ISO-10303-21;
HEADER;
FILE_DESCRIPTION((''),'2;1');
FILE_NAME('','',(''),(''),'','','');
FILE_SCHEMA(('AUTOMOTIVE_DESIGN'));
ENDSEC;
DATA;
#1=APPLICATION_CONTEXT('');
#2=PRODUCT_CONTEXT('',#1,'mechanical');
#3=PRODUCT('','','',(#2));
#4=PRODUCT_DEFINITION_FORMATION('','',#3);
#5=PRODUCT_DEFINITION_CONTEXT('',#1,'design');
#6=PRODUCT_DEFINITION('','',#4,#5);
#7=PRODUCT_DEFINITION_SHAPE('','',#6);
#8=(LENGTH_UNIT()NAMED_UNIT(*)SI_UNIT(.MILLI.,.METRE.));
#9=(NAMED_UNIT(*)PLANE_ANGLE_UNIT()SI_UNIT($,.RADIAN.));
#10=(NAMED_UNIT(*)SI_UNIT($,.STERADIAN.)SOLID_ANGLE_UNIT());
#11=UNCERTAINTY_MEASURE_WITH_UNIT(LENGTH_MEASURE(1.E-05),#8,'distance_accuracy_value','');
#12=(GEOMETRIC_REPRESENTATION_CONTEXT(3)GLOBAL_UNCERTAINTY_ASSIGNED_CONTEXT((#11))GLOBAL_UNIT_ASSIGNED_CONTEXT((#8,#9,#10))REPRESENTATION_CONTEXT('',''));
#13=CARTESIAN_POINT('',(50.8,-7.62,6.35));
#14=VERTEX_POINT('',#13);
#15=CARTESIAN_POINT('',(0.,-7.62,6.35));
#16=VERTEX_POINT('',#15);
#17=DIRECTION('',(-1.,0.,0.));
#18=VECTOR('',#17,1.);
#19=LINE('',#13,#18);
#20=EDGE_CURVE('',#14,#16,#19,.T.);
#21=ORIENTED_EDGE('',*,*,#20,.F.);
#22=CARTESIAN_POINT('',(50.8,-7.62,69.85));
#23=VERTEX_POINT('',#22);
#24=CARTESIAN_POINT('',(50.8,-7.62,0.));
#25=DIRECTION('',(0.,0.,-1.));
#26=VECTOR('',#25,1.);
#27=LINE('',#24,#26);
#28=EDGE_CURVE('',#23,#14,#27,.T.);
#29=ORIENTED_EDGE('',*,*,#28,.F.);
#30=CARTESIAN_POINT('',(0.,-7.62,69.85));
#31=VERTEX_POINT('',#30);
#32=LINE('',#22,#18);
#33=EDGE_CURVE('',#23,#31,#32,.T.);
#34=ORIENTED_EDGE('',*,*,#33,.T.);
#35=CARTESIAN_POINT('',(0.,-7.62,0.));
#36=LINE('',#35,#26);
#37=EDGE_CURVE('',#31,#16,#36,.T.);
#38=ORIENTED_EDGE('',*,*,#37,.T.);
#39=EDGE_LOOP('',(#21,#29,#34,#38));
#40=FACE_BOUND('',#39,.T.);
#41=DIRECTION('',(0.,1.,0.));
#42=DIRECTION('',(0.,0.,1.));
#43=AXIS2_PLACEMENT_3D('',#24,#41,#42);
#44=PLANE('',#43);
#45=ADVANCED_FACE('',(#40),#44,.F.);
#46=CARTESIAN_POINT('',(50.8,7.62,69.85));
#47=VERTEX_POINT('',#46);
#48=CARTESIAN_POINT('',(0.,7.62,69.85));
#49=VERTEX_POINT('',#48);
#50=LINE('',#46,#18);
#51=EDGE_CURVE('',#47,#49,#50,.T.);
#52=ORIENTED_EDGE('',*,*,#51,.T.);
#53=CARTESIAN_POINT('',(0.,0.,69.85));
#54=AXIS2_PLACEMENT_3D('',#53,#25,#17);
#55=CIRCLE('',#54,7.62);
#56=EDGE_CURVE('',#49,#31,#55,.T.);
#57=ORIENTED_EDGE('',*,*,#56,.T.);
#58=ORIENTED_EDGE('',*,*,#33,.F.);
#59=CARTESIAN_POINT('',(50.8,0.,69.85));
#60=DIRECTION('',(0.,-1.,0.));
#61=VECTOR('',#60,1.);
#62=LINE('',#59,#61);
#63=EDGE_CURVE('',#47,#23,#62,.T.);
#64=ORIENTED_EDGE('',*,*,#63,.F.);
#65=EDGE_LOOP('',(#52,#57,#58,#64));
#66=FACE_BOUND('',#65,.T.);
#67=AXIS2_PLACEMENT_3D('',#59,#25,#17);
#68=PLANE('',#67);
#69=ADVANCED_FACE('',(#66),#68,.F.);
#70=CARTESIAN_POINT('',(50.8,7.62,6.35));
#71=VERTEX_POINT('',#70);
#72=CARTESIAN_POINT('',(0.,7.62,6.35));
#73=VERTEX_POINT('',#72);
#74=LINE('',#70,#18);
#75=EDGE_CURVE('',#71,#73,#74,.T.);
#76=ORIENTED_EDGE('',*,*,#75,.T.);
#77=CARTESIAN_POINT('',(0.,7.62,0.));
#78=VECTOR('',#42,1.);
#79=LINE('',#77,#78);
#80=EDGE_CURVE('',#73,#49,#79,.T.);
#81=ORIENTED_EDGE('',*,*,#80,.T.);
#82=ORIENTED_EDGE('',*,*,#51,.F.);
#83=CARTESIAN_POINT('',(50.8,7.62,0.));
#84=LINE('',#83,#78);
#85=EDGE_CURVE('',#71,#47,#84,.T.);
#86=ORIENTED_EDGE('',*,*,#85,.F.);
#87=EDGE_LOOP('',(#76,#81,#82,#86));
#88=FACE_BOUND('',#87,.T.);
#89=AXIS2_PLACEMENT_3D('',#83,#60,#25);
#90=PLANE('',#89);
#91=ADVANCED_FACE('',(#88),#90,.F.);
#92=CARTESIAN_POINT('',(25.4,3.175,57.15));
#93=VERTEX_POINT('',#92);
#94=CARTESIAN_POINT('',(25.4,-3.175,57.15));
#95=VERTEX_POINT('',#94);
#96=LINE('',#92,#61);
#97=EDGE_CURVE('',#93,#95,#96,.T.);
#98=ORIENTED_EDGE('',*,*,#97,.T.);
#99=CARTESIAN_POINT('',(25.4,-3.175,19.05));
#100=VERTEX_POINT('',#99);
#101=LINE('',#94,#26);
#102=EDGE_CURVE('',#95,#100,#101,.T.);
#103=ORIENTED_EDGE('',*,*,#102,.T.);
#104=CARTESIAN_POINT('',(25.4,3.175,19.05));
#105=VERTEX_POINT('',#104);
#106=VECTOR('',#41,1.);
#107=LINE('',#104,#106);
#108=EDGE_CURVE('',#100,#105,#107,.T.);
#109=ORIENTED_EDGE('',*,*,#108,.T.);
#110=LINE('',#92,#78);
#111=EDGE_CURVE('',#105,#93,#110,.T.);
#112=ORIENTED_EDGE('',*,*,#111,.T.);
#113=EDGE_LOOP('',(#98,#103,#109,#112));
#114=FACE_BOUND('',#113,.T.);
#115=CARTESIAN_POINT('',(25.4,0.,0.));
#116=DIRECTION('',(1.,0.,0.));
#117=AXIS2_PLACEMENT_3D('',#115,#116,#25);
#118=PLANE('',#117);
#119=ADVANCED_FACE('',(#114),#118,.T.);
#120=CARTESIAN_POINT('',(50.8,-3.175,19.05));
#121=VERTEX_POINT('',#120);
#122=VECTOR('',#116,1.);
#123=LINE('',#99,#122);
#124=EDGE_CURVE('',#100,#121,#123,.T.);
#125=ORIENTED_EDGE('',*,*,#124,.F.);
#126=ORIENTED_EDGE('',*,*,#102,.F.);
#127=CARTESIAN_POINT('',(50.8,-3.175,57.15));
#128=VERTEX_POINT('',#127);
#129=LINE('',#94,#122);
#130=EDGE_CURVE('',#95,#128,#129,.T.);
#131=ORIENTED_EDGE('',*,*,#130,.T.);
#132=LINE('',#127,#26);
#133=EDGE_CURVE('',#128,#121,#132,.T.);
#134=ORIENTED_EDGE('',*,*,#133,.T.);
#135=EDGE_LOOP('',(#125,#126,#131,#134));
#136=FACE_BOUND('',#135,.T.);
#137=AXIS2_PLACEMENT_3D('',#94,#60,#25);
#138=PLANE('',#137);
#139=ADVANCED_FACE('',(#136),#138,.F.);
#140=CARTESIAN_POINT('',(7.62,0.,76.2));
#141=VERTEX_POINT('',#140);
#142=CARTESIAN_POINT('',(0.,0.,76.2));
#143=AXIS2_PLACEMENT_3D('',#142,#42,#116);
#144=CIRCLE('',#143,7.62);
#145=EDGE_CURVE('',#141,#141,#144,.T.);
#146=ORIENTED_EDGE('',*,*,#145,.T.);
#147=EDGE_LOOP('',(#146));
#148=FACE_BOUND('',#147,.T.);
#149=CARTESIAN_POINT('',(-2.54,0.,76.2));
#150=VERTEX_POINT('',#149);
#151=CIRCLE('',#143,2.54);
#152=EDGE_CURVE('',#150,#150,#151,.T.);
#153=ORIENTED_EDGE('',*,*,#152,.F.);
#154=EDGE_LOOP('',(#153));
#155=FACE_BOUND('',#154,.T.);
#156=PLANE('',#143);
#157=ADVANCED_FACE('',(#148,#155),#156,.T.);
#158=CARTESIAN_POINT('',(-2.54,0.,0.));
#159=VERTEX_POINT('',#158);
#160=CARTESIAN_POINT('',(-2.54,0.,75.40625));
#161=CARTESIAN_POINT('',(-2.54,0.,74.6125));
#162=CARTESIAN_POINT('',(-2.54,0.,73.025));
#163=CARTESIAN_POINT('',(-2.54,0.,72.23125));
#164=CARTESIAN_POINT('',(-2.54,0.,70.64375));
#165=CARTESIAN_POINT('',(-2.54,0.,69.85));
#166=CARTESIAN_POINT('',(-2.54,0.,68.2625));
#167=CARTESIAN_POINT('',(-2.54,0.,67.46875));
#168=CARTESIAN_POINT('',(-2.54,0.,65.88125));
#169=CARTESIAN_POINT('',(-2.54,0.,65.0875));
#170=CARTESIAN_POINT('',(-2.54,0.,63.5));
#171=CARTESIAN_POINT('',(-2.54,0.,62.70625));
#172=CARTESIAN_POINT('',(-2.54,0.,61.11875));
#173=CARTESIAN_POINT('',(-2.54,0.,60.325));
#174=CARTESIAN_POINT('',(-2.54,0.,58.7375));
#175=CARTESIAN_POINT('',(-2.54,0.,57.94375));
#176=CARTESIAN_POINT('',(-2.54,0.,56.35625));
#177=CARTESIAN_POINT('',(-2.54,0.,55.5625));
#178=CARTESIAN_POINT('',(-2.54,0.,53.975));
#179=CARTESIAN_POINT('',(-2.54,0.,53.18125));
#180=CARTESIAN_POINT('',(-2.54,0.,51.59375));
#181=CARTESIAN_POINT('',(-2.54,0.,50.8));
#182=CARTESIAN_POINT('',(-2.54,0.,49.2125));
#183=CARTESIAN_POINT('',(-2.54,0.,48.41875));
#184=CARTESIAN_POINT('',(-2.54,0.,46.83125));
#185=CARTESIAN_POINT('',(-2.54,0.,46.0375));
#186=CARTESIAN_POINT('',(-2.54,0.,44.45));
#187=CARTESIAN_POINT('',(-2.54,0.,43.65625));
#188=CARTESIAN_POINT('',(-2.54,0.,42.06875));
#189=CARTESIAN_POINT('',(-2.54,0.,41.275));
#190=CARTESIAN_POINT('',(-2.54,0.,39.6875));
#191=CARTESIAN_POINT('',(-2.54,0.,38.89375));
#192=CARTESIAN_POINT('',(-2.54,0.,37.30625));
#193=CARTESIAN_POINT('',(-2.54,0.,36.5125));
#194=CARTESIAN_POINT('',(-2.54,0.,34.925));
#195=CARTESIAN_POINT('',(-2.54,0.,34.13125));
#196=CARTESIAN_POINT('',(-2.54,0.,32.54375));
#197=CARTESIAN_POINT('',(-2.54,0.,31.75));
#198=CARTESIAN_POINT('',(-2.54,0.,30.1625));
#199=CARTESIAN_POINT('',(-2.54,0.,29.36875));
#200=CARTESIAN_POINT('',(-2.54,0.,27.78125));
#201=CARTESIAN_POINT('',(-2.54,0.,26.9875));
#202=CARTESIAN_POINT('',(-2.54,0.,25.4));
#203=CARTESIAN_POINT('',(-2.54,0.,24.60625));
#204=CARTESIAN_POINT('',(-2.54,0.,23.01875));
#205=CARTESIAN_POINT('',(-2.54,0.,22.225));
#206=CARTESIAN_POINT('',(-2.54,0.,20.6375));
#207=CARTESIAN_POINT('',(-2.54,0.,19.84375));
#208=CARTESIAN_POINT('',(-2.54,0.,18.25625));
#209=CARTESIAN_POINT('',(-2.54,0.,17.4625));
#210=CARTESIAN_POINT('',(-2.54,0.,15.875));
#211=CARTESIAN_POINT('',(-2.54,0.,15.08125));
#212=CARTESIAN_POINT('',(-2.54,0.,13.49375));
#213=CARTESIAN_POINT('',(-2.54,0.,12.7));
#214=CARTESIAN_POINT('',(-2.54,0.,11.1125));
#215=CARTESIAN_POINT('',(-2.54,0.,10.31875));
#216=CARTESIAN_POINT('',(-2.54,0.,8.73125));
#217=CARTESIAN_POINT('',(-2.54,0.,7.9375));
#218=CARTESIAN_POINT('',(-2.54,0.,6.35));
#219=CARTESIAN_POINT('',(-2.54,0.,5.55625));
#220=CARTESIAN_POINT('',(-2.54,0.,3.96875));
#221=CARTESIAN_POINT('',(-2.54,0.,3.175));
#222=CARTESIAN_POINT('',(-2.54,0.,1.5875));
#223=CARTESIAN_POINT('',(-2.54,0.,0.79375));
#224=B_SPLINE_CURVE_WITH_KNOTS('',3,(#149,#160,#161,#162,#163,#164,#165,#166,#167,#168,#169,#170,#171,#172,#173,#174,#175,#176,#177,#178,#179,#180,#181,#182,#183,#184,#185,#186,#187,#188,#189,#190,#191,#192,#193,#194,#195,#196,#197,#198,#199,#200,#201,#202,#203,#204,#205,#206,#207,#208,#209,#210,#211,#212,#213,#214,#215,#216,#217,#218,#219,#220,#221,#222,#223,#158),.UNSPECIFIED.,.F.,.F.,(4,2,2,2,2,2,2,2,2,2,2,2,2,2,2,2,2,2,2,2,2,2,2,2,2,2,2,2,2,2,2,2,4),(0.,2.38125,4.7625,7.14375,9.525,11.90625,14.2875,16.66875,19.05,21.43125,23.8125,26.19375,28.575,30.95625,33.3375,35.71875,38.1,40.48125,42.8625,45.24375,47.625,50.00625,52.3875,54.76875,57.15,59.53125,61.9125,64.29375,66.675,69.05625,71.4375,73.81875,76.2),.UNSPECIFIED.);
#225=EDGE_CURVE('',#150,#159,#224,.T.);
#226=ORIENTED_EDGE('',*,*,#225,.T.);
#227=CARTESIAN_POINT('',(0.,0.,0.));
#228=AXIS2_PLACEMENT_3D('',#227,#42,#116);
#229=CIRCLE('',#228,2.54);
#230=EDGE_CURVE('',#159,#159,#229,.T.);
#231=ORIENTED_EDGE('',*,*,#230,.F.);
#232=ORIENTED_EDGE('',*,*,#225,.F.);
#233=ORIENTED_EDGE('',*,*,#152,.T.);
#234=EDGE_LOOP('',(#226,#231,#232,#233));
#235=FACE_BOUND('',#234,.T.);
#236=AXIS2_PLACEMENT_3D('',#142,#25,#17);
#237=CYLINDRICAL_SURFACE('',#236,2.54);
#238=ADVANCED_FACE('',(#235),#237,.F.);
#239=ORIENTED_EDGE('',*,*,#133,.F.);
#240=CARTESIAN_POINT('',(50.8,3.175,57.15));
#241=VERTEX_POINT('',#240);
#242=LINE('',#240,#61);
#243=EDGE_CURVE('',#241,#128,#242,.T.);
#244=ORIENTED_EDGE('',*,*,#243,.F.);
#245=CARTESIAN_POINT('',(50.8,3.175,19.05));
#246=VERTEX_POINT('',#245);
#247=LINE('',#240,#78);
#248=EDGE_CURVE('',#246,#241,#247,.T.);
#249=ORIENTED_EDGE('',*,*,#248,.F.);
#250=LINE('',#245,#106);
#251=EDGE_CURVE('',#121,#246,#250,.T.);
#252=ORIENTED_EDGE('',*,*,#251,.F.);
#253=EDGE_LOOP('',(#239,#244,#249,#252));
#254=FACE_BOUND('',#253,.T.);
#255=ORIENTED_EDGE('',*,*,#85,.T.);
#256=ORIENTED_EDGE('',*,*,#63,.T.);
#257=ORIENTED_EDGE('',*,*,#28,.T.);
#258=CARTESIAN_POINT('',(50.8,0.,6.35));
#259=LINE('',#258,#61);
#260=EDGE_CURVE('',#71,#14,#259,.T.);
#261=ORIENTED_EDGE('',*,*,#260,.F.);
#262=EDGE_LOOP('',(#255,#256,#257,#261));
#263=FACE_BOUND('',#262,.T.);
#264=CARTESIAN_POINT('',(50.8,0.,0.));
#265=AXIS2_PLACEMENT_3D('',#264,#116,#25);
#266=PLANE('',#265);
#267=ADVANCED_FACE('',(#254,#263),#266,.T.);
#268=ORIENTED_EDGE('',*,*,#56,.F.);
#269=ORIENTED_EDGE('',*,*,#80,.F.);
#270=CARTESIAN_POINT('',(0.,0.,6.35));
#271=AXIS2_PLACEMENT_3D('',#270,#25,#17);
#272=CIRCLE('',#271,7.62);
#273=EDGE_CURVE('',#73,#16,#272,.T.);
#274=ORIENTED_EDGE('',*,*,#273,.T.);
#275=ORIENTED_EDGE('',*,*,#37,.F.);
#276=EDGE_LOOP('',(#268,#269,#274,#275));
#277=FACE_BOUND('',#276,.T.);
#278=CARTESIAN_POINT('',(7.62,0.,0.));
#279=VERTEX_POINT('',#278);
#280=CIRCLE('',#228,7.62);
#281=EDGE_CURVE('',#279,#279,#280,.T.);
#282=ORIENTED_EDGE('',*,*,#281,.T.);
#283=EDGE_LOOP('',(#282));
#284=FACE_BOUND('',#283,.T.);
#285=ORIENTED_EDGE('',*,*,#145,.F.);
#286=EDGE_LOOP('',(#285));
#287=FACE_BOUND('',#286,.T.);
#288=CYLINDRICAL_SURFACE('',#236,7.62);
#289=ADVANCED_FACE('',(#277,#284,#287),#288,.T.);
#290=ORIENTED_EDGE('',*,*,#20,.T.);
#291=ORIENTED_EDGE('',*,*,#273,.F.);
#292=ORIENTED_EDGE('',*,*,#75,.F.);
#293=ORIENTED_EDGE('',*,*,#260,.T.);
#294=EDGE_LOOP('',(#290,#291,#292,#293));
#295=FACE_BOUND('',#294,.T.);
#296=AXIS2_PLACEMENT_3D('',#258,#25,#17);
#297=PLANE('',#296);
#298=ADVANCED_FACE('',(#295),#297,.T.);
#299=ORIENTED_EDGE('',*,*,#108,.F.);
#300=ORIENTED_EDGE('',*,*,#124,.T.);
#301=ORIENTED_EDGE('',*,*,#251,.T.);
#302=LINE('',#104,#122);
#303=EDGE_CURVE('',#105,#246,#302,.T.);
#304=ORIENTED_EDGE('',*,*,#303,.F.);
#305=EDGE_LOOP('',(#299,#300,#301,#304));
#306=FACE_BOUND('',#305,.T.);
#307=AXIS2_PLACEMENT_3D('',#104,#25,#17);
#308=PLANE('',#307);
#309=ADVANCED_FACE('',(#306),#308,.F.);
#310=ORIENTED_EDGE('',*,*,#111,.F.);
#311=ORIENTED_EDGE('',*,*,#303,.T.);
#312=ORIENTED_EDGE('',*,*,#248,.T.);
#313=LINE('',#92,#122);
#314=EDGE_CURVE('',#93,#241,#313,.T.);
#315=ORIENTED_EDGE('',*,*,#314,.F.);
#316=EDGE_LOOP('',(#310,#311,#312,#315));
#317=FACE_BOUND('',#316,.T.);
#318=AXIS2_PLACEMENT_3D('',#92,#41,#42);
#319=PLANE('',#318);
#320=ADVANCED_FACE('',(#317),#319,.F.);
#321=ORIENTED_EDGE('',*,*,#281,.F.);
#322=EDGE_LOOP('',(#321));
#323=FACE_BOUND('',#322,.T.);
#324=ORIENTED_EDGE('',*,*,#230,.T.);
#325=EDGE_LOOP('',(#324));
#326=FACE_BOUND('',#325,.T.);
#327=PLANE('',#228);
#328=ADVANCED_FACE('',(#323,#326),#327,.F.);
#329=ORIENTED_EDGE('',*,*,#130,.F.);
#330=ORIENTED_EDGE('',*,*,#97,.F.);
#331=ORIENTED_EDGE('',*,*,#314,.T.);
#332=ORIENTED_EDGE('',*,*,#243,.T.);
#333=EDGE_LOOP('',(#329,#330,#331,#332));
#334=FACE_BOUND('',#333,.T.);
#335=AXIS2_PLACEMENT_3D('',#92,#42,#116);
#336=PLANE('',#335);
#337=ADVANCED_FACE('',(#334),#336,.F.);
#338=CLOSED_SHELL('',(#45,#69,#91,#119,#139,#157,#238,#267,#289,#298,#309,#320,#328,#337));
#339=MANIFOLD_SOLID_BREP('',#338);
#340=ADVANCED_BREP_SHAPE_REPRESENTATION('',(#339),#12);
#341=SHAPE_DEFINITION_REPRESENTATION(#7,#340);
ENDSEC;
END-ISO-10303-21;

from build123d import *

# Parameters (mm, degrees)
SKETCH4_R               = 7.62
SKETCH4_R_2             = 2.54
BOSS_EXTRUDE1_DEPTH     = 76.2
SKETCH5_W               = 63.5
SKETCH5_H               = 15.24
BOSS_EXTRUDE2_DEPTH     = 50.8
SKETCH6_W               = 38.1
SKETCH6_H               = 6.35
CUT_EXTRUDE1_DEPTH      = 25.4
CUT_EXTRUDE2_DEPTH      = 92.897466777
CUT_EXTRUDE2_DEPTH_BACK = 92.897466777
SKETCH7_R               = 2.54


with BuildPart() as part:
    # Sketch4 → Boss-Extrude1 (new body)
    with BuildSketch(Plane.XY):
        with Locations(Location((0, 0, 0), (0, 0, 180))):
            Circle(SKETCH4_R)
        with Locations(Location((0, 0, 0), (0, 0, 180))):
            Circle(SKETCH4_R_2, mode=Mode.SUBTRACT)
    extrude(amount=BOSS_EXTRUDE1_DEPTH)

    # Sketch5 → Boss-Extrude2 (add)
    with BuildSketch(Plane(origin=(0, 0, 0), x_dir=(0, 0, -1), z_dir=(1, 0, 0))):
        with Locations((-38.1, 0)):
            Rectangle(SKETCH5_W, SKETCH5_H)
    extrude(amount=BOSS_EXTRUDE2_DEPTH)

    # Sketch6 → Cut-Extrude1 (cut)
    with BuildSketch(Plane(origin=(50.8, 0, 0), x_dir=(0, 0, -1), z_dir=(1, 0, 0))):
        with Locations((-38.1, 0)):
            Rectangle(SKETCH6_W, SKETCH6_H)
    extrude(amount=-CUT_EXTRUDE1_DEPTH, mode=Mode.SUBTRACT)

    # Sketch7 → Cut-Extrude2 (cut, two sides: drawn at the far end of the back side and taken through both)
    with BuildSketch(Plane.XY.offset(-CUT_EXTRUDE2_DEPTH_BACK)):
        with Locations(Location((0, 0, 0), (0, 0, 180))):
            Circle(SKETCH7_R)
    extrude(amount=CUT_EXTRUDE2_DEPTH + CUT_EXTRUDE2_DEPTH_BACK, mode=Mode.SUBTRACT)


solid = part.part
